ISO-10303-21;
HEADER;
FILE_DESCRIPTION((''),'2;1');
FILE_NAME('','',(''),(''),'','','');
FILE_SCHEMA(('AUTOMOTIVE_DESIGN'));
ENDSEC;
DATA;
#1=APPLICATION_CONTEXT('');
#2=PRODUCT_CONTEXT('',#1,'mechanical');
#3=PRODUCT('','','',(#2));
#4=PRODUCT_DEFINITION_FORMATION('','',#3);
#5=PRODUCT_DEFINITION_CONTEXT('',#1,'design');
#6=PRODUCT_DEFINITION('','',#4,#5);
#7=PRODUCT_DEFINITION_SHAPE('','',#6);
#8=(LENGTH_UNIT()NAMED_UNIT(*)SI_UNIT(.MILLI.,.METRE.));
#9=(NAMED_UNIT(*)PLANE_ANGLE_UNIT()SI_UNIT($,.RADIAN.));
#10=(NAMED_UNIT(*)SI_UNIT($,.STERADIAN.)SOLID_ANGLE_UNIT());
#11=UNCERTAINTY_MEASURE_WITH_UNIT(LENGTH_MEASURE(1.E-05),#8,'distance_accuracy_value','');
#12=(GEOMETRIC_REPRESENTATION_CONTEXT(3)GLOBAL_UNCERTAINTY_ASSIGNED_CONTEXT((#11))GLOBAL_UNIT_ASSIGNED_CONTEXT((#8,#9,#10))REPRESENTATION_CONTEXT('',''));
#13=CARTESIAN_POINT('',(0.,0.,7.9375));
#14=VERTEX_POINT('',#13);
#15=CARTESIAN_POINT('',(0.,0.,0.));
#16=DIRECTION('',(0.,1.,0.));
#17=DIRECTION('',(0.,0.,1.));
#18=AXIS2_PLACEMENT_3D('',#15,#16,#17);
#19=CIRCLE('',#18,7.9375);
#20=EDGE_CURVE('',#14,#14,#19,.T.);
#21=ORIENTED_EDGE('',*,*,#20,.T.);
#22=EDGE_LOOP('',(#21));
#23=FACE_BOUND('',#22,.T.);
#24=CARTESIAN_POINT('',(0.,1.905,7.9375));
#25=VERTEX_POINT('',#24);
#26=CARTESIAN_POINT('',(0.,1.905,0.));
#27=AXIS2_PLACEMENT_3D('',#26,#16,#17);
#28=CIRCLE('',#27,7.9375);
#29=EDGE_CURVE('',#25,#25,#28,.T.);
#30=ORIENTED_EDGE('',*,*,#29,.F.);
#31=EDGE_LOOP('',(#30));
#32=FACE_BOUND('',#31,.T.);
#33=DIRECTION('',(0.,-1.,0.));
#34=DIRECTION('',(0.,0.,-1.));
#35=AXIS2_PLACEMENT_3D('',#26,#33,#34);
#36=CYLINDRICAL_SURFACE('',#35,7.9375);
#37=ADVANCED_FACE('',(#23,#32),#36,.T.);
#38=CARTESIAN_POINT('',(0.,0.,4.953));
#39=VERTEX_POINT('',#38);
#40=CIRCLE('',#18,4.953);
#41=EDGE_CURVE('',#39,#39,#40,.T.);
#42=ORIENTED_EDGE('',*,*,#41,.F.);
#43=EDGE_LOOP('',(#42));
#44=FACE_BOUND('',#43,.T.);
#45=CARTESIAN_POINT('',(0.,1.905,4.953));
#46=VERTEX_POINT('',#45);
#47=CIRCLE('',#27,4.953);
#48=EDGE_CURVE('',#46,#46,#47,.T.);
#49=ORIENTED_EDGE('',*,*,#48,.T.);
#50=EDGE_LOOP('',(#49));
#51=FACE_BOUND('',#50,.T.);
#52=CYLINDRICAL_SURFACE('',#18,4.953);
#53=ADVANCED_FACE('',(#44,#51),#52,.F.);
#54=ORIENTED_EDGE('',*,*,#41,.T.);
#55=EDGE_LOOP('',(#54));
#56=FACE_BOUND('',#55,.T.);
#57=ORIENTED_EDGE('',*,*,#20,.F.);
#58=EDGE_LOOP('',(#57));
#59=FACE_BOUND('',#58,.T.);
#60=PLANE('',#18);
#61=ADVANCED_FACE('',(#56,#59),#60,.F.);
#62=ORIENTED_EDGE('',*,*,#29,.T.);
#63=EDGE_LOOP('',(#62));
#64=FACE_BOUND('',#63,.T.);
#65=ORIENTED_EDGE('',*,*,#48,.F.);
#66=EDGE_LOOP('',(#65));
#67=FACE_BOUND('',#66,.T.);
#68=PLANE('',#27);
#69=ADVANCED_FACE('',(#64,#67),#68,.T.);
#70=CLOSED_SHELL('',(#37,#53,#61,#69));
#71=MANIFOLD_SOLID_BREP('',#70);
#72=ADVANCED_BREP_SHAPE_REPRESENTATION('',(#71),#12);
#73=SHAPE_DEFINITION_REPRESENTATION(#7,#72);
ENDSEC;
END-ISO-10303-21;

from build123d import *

# Parameters (mm, degrees)
SKETCH1_R           = 7.9375
BOSS_EXTRUDE1_DEPTH = 1.905
SKETCH5_R           = 4.953
CUT_EXTRUDE1_DEPTH  = 2.905


with BuildPart() as part:
    # Sketch1 → Boss-Extrude1 (new body)
    with BuildSketch(Plane(origin=(0, 0, 0), x_dir=(1, 0, 0), z_dir=(0, 1, 0))):
        Circle(SKETCH1_R)
    extrude(amount=BOSS_EXTRUDE1_DEPTH)

    # Sketch5 → Cut-Extrude1 (cut, through all)
    with BuildSketch(Plane(origin=(0, 1.905, 0), x_dir=(-1, 0, 0), z_dir=(0, 1, 0))):
        Circle(SKETCH5_R)
    extrude(amount=-CUT_EXTRUDE1_DEPTH, mode=Mode.SUBTRACT)


solid = part.part
